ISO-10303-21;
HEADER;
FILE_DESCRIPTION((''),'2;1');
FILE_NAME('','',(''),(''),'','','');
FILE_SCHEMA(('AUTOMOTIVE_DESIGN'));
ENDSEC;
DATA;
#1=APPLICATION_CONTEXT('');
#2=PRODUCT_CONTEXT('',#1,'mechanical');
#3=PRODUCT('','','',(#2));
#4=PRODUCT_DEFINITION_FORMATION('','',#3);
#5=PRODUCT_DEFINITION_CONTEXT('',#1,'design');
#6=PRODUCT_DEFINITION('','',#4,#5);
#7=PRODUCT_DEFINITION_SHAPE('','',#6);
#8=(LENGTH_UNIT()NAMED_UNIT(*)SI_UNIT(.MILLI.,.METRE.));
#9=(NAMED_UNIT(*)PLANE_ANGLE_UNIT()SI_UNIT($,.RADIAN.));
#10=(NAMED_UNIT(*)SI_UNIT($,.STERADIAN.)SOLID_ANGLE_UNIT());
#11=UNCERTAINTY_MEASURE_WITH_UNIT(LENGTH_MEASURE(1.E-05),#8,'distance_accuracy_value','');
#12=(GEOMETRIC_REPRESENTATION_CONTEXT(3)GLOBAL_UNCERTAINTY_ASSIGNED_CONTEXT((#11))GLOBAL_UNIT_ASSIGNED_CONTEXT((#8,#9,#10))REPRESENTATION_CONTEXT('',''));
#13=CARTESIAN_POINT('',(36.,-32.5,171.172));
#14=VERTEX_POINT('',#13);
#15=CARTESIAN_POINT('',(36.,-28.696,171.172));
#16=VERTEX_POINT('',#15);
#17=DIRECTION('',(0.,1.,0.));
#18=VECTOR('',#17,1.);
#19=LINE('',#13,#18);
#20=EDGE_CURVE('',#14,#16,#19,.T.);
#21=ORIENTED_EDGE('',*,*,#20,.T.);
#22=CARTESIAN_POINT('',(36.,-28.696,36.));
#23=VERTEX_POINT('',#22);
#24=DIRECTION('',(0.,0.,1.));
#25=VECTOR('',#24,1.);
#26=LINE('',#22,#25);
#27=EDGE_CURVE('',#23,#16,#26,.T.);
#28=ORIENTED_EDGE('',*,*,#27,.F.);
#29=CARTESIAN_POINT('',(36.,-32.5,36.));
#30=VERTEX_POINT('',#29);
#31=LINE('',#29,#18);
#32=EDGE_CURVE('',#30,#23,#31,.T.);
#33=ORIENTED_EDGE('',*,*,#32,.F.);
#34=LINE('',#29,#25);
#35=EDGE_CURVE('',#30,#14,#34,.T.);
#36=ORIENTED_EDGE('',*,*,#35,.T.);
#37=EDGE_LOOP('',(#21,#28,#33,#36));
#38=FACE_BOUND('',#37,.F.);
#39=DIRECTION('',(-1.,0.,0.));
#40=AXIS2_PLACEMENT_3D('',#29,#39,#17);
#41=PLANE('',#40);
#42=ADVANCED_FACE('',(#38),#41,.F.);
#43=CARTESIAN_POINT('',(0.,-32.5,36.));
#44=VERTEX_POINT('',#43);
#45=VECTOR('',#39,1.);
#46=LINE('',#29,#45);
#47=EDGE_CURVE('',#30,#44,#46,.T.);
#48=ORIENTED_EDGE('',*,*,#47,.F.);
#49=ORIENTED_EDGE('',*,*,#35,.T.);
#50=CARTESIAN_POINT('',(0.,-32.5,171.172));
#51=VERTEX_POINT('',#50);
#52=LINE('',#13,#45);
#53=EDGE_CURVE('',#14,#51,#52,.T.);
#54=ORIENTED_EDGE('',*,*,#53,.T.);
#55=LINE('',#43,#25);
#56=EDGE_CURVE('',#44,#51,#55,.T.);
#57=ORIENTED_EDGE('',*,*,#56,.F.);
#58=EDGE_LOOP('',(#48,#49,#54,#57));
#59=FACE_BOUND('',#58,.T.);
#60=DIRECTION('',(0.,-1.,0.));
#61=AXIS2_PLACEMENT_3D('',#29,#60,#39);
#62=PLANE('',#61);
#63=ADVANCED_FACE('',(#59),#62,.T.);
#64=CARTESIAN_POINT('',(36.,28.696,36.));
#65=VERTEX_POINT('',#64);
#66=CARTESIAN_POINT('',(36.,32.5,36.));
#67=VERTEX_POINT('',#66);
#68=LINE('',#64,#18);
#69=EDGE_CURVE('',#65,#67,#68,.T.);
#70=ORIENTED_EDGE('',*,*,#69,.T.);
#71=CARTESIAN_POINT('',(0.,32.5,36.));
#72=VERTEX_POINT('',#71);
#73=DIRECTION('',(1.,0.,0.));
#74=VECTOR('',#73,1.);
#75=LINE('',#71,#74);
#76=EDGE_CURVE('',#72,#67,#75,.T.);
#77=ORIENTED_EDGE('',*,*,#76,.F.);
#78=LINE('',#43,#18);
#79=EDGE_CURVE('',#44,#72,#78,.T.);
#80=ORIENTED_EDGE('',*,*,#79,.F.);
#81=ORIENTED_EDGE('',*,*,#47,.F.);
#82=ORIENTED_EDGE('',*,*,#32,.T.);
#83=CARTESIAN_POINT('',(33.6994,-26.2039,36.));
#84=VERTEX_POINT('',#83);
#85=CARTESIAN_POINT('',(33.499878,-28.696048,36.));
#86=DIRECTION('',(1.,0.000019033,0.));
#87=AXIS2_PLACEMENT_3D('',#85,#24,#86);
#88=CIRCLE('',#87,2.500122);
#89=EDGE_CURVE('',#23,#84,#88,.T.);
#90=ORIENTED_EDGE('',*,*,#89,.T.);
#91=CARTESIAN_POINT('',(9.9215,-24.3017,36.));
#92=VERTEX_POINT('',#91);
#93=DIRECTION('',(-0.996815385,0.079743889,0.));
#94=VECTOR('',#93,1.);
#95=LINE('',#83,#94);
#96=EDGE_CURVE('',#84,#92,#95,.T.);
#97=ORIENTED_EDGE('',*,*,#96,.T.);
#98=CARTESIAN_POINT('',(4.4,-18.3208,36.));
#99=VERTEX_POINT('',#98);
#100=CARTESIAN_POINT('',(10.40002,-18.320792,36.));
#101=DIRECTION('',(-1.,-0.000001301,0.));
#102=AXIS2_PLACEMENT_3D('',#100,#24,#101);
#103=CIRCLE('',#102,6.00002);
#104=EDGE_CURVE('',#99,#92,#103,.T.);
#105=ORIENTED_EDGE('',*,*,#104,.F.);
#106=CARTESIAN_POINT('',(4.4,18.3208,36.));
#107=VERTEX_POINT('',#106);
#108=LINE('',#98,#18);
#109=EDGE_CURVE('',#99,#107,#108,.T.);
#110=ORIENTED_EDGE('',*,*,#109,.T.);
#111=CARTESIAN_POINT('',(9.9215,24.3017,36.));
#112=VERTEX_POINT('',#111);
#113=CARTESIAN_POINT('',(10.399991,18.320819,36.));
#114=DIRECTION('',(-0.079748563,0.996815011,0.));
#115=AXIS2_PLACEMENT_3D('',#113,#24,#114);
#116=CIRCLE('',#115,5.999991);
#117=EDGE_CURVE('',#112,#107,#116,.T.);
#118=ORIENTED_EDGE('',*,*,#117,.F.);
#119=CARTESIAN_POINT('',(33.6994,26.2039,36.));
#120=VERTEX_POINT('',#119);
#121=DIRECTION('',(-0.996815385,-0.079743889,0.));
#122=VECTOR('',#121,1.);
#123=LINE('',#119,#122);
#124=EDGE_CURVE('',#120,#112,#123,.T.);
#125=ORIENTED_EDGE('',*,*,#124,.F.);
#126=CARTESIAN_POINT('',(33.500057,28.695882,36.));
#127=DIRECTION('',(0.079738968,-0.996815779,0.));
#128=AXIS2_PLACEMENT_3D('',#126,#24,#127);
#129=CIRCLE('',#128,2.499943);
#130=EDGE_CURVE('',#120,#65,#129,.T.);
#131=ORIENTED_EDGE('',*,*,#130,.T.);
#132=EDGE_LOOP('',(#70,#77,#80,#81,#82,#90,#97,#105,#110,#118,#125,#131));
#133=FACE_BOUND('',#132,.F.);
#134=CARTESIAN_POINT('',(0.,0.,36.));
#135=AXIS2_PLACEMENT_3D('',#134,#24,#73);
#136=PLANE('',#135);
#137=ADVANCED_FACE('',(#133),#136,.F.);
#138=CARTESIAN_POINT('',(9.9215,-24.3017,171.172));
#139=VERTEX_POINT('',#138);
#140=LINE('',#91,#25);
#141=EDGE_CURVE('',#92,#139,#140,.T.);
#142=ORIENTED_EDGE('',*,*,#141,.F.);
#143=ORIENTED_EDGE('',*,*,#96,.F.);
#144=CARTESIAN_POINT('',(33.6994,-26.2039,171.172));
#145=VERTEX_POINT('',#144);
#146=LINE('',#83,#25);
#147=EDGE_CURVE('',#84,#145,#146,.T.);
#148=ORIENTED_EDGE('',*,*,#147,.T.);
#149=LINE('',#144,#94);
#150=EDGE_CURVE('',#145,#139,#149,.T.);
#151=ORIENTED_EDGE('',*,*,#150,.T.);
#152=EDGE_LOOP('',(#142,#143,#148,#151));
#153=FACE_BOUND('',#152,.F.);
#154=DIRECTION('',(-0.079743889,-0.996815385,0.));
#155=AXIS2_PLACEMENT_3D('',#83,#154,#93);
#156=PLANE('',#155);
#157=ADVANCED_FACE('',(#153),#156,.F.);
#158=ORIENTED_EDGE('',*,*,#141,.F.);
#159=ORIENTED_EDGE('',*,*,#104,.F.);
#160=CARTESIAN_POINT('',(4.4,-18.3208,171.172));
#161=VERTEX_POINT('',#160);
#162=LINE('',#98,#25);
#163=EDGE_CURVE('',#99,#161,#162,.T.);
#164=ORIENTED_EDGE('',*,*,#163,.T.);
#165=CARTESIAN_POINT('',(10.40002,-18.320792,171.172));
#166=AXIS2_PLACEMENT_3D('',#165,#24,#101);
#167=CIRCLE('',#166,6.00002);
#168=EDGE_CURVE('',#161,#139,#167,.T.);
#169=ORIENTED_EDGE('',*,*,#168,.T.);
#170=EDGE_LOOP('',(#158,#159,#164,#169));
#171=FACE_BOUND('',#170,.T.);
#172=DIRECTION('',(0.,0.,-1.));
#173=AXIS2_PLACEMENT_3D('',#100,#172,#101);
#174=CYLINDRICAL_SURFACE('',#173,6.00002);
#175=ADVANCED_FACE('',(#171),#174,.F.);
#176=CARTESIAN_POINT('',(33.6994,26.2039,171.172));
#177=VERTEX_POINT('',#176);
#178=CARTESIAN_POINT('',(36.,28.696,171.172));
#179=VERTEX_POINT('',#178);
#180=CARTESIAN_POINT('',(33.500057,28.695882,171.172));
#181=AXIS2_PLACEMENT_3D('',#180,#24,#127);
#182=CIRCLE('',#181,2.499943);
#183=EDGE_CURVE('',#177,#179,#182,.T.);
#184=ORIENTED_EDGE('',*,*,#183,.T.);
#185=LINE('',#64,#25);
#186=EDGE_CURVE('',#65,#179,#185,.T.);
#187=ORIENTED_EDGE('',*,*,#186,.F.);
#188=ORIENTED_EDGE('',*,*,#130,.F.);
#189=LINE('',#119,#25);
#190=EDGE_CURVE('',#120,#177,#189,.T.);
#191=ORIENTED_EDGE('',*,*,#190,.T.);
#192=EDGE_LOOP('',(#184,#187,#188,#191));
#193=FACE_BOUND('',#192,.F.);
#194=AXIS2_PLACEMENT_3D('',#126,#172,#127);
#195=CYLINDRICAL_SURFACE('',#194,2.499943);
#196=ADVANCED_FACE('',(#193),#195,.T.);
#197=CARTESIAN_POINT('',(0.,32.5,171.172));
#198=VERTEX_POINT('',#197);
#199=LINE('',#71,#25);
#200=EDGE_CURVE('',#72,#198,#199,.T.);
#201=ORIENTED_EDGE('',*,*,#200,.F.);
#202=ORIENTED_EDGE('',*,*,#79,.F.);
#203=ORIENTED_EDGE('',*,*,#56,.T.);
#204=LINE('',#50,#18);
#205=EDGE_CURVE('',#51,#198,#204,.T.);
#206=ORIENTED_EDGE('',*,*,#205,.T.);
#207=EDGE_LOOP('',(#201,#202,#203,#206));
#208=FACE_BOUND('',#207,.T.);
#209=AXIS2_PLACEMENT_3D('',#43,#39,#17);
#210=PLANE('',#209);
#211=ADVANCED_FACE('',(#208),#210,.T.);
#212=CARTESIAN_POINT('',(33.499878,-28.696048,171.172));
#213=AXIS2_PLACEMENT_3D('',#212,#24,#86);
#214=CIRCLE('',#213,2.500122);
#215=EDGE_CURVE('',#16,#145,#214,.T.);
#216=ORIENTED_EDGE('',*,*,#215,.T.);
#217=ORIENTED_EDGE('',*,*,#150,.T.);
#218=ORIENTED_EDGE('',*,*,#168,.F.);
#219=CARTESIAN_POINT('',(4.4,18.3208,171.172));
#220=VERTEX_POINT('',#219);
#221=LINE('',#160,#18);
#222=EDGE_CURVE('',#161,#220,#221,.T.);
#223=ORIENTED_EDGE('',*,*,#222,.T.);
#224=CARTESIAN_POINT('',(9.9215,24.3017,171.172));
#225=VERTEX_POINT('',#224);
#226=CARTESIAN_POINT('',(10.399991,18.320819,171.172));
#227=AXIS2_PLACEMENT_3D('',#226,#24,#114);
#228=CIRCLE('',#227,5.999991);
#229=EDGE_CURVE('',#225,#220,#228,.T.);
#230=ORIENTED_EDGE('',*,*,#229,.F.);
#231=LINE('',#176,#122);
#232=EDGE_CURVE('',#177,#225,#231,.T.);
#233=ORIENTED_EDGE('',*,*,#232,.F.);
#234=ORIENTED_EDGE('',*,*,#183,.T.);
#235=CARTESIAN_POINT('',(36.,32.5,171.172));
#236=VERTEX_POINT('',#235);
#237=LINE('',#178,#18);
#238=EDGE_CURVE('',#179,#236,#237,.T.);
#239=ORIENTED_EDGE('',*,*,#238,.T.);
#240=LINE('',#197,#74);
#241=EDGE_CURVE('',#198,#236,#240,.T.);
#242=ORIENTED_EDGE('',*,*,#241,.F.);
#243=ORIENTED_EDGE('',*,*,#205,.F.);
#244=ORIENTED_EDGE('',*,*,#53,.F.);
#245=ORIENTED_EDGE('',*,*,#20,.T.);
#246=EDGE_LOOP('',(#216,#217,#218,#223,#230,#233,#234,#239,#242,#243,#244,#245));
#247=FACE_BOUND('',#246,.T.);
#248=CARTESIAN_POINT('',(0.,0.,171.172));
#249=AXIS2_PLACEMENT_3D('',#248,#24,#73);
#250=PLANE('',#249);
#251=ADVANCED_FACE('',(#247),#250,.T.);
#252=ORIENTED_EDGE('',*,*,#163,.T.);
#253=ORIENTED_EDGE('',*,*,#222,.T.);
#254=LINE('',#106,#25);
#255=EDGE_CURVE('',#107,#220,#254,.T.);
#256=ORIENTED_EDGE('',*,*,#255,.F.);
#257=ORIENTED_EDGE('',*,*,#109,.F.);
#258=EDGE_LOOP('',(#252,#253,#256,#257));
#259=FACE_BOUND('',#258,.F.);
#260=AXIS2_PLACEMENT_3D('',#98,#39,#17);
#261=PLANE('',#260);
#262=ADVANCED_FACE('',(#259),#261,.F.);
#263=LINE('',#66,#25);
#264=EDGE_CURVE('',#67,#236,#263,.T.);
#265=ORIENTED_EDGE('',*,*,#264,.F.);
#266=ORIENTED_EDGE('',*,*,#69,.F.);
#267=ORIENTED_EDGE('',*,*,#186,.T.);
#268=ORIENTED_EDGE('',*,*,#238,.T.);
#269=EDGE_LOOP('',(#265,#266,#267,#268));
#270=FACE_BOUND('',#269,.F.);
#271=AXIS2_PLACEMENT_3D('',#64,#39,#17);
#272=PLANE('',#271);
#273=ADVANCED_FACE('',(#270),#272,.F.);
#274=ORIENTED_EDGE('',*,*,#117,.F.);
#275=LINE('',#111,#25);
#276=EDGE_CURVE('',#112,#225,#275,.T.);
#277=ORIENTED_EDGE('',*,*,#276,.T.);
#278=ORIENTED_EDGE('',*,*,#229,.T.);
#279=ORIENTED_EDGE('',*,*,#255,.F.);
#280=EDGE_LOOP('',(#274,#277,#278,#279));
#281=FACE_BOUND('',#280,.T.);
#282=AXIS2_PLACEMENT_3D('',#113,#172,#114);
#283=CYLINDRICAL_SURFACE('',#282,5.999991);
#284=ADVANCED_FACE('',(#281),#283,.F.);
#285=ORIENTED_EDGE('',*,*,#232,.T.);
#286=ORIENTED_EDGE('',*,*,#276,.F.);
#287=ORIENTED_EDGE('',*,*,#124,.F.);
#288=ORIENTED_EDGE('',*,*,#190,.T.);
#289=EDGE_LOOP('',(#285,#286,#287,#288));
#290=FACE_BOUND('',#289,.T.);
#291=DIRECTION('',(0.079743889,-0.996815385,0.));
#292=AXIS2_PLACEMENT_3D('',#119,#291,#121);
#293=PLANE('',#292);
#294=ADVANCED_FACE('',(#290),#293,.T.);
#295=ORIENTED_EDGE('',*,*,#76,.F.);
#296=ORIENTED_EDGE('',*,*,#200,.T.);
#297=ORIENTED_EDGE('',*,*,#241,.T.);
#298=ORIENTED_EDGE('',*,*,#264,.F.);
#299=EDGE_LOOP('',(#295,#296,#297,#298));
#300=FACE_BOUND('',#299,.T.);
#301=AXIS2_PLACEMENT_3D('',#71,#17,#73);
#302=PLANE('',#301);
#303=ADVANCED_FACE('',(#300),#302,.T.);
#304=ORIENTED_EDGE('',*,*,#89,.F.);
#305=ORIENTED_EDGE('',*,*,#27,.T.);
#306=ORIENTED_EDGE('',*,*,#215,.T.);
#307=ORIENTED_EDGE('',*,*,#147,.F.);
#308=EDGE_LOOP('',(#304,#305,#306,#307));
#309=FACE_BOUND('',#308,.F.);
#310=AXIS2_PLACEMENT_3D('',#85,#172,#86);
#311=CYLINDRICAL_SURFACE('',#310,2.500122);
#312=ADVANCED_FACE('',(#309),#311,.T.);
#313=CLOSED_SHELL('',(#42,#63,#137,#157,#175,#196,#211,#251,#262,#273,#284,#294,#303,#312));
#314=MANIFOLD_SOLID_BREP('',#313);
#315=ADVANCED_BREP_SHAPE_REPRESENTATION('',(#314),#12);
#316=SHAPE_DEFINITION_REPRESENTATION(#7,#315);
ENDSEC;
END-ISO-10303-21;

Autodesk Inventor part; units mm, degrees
ref_plane "Начальная плоскость" through (0, 0, 36) normal (0, 0, 1) x (1, 0, 0)
ref_plane "Конечная плоскость" through (0, 0, 171.172) normal (0, 0, 1) x (1, 0, 0)
sketch "Эскиз" plane through (0, 0, 0) normal (0, 0, 1) x (1, 0, 0)
  line L0 (36, -32.5) -> (0, -32.5)
  line L1 (36, -32.5) -> (36, -28.696)
  line L2 (33.6994, -26.2039) -> (9.9215, -24.3017)
  line L3 (4.4, -18.3208) -> (4.4, 18.3208)
  line L4 (33.6994, 26.2039) -> (9.9215, 24.3017)
  line L5 (36, 28.696) -> (36, 32.5)
  line L6 (0, 32.5) -> (36, 32.5)
  line L7 (0, -32.5) -> (0, 32.5)
  arc A0 (4.4, -18.3208) -> (9.9215, -24.3017) centre (10.4, -18.3208) ccw
  arc A1 (9.9215, 24.3017) -> (4.4, 18.3208) centre (10.4, 18.3208) ccw
  arc A2 (36, -28.696) -> (33.6994, -26.2039) centre (33.5, -28.696) ccw
  arc A3 (33.6994, 26.2039) -> (36, 28.696) centre (33.5, 28.696) ccw
  line L8 (0, 45.5) -> (0, -45.5) construction
  line L9 (-7.2974, 0) -> (43.7847, 0) construction
  point P0 (36, -26.388)
  point P1 (4.4, -23.86)
  point P2 (4.4, 23.86)
  point P3 (36, 26.388)
  dimension "d3" = 36
  dimension "d5" = 4.4
  dimension "d7" = 65
  dimension "d9" = 8.64
  dimension "d11" = 8.64
  dimension "d13" = 6.112
  dimension "d15" = 6.112
  dimension "d22" = 6
  dimension "d23" = 2.5
  dimension "d24" = 32.5
  dimension "d25" = 0
extrude "Тело" add sketch "Эскиз" along normal up to surface (135.172 mm away) from surface at 36
sketch "Sketch3" plane through (0, 0, 0) normal (0, 0, 1) x (1, 0, 0)
  line L0 (0, 0) -> (10, 0)
ref_plane "Work Plane7" through (0, 0, 0) normal (0, -1, 0) x (1, 0, 0)
sketch "Sketch4" plane through (0, 0, 0) normal (0, -1, 0) x (1, 0, 0)
  line L0 (-2, 36) -> (12, 36)
  line L1 (-2, 171.172) -> (12, 171.172)
  dimension "d29" = 135.172
ref_plane "РабПлоскость8" through (36, 32.5, 36) normal (0, 0, -1) x (-1, 0, 0)
split "Разделение1" plane through (36, 32.5, 36) removes the side toward (0, 0, -1)
ref_plane "РабПлоскость9" through (36, -32.5, 171.172) normal (0, 0, 1) x (1, 0, 0)
split "Разделение2" plane through (36, -32.5, 171.172) removes the side toward (0, 0, 1)
equation "\"d3\" = b"
equation "\"d5\" = t1"
equation "\"d7\" = ParH"
equation "\"d9\" = msp_x1 + t2"
equation "\"d11\" = msp_x1 + t2"
equation "\"d13\" = -msp_x2 + t2"
equation "\"d15\" = -msp_x2 + t2"
equation "\"d22\" = R"
equation "\"d23\" = R1"
equation "\"d24\" = 0.5 * d7"
equation "\"d16\" = G_L"
equation "\"R1\" = 2.5"
equation "\"R\" = 6"
equation "\"t1\" = 4.4"
equation "\"t2\" = 7.2"
equation "\"ParH\" = 65"
equation "\"b\" = 36"
equation "\"msp_x1\" = 0.04 * b"
equation "\"msp_x2\" = -0.08 * t1 + 0.04 * b"
equation "\"G_L\" = d29"
equation "\"ex\" = 0"
equation "\"G_OFFSET_START\" = -36"
equation "\"G_OFFSET_END\" = -36"
equation "\"d26\" = -G_OFFSET_START"
equation "\"d27\" = G_OFFSET_END + B_L"
equation "\"B_L\" = 207.172"
properties part number "Швеллер 6.5U-135,17 ГОСТ 8240-97" material "Сталь, мягкая"
